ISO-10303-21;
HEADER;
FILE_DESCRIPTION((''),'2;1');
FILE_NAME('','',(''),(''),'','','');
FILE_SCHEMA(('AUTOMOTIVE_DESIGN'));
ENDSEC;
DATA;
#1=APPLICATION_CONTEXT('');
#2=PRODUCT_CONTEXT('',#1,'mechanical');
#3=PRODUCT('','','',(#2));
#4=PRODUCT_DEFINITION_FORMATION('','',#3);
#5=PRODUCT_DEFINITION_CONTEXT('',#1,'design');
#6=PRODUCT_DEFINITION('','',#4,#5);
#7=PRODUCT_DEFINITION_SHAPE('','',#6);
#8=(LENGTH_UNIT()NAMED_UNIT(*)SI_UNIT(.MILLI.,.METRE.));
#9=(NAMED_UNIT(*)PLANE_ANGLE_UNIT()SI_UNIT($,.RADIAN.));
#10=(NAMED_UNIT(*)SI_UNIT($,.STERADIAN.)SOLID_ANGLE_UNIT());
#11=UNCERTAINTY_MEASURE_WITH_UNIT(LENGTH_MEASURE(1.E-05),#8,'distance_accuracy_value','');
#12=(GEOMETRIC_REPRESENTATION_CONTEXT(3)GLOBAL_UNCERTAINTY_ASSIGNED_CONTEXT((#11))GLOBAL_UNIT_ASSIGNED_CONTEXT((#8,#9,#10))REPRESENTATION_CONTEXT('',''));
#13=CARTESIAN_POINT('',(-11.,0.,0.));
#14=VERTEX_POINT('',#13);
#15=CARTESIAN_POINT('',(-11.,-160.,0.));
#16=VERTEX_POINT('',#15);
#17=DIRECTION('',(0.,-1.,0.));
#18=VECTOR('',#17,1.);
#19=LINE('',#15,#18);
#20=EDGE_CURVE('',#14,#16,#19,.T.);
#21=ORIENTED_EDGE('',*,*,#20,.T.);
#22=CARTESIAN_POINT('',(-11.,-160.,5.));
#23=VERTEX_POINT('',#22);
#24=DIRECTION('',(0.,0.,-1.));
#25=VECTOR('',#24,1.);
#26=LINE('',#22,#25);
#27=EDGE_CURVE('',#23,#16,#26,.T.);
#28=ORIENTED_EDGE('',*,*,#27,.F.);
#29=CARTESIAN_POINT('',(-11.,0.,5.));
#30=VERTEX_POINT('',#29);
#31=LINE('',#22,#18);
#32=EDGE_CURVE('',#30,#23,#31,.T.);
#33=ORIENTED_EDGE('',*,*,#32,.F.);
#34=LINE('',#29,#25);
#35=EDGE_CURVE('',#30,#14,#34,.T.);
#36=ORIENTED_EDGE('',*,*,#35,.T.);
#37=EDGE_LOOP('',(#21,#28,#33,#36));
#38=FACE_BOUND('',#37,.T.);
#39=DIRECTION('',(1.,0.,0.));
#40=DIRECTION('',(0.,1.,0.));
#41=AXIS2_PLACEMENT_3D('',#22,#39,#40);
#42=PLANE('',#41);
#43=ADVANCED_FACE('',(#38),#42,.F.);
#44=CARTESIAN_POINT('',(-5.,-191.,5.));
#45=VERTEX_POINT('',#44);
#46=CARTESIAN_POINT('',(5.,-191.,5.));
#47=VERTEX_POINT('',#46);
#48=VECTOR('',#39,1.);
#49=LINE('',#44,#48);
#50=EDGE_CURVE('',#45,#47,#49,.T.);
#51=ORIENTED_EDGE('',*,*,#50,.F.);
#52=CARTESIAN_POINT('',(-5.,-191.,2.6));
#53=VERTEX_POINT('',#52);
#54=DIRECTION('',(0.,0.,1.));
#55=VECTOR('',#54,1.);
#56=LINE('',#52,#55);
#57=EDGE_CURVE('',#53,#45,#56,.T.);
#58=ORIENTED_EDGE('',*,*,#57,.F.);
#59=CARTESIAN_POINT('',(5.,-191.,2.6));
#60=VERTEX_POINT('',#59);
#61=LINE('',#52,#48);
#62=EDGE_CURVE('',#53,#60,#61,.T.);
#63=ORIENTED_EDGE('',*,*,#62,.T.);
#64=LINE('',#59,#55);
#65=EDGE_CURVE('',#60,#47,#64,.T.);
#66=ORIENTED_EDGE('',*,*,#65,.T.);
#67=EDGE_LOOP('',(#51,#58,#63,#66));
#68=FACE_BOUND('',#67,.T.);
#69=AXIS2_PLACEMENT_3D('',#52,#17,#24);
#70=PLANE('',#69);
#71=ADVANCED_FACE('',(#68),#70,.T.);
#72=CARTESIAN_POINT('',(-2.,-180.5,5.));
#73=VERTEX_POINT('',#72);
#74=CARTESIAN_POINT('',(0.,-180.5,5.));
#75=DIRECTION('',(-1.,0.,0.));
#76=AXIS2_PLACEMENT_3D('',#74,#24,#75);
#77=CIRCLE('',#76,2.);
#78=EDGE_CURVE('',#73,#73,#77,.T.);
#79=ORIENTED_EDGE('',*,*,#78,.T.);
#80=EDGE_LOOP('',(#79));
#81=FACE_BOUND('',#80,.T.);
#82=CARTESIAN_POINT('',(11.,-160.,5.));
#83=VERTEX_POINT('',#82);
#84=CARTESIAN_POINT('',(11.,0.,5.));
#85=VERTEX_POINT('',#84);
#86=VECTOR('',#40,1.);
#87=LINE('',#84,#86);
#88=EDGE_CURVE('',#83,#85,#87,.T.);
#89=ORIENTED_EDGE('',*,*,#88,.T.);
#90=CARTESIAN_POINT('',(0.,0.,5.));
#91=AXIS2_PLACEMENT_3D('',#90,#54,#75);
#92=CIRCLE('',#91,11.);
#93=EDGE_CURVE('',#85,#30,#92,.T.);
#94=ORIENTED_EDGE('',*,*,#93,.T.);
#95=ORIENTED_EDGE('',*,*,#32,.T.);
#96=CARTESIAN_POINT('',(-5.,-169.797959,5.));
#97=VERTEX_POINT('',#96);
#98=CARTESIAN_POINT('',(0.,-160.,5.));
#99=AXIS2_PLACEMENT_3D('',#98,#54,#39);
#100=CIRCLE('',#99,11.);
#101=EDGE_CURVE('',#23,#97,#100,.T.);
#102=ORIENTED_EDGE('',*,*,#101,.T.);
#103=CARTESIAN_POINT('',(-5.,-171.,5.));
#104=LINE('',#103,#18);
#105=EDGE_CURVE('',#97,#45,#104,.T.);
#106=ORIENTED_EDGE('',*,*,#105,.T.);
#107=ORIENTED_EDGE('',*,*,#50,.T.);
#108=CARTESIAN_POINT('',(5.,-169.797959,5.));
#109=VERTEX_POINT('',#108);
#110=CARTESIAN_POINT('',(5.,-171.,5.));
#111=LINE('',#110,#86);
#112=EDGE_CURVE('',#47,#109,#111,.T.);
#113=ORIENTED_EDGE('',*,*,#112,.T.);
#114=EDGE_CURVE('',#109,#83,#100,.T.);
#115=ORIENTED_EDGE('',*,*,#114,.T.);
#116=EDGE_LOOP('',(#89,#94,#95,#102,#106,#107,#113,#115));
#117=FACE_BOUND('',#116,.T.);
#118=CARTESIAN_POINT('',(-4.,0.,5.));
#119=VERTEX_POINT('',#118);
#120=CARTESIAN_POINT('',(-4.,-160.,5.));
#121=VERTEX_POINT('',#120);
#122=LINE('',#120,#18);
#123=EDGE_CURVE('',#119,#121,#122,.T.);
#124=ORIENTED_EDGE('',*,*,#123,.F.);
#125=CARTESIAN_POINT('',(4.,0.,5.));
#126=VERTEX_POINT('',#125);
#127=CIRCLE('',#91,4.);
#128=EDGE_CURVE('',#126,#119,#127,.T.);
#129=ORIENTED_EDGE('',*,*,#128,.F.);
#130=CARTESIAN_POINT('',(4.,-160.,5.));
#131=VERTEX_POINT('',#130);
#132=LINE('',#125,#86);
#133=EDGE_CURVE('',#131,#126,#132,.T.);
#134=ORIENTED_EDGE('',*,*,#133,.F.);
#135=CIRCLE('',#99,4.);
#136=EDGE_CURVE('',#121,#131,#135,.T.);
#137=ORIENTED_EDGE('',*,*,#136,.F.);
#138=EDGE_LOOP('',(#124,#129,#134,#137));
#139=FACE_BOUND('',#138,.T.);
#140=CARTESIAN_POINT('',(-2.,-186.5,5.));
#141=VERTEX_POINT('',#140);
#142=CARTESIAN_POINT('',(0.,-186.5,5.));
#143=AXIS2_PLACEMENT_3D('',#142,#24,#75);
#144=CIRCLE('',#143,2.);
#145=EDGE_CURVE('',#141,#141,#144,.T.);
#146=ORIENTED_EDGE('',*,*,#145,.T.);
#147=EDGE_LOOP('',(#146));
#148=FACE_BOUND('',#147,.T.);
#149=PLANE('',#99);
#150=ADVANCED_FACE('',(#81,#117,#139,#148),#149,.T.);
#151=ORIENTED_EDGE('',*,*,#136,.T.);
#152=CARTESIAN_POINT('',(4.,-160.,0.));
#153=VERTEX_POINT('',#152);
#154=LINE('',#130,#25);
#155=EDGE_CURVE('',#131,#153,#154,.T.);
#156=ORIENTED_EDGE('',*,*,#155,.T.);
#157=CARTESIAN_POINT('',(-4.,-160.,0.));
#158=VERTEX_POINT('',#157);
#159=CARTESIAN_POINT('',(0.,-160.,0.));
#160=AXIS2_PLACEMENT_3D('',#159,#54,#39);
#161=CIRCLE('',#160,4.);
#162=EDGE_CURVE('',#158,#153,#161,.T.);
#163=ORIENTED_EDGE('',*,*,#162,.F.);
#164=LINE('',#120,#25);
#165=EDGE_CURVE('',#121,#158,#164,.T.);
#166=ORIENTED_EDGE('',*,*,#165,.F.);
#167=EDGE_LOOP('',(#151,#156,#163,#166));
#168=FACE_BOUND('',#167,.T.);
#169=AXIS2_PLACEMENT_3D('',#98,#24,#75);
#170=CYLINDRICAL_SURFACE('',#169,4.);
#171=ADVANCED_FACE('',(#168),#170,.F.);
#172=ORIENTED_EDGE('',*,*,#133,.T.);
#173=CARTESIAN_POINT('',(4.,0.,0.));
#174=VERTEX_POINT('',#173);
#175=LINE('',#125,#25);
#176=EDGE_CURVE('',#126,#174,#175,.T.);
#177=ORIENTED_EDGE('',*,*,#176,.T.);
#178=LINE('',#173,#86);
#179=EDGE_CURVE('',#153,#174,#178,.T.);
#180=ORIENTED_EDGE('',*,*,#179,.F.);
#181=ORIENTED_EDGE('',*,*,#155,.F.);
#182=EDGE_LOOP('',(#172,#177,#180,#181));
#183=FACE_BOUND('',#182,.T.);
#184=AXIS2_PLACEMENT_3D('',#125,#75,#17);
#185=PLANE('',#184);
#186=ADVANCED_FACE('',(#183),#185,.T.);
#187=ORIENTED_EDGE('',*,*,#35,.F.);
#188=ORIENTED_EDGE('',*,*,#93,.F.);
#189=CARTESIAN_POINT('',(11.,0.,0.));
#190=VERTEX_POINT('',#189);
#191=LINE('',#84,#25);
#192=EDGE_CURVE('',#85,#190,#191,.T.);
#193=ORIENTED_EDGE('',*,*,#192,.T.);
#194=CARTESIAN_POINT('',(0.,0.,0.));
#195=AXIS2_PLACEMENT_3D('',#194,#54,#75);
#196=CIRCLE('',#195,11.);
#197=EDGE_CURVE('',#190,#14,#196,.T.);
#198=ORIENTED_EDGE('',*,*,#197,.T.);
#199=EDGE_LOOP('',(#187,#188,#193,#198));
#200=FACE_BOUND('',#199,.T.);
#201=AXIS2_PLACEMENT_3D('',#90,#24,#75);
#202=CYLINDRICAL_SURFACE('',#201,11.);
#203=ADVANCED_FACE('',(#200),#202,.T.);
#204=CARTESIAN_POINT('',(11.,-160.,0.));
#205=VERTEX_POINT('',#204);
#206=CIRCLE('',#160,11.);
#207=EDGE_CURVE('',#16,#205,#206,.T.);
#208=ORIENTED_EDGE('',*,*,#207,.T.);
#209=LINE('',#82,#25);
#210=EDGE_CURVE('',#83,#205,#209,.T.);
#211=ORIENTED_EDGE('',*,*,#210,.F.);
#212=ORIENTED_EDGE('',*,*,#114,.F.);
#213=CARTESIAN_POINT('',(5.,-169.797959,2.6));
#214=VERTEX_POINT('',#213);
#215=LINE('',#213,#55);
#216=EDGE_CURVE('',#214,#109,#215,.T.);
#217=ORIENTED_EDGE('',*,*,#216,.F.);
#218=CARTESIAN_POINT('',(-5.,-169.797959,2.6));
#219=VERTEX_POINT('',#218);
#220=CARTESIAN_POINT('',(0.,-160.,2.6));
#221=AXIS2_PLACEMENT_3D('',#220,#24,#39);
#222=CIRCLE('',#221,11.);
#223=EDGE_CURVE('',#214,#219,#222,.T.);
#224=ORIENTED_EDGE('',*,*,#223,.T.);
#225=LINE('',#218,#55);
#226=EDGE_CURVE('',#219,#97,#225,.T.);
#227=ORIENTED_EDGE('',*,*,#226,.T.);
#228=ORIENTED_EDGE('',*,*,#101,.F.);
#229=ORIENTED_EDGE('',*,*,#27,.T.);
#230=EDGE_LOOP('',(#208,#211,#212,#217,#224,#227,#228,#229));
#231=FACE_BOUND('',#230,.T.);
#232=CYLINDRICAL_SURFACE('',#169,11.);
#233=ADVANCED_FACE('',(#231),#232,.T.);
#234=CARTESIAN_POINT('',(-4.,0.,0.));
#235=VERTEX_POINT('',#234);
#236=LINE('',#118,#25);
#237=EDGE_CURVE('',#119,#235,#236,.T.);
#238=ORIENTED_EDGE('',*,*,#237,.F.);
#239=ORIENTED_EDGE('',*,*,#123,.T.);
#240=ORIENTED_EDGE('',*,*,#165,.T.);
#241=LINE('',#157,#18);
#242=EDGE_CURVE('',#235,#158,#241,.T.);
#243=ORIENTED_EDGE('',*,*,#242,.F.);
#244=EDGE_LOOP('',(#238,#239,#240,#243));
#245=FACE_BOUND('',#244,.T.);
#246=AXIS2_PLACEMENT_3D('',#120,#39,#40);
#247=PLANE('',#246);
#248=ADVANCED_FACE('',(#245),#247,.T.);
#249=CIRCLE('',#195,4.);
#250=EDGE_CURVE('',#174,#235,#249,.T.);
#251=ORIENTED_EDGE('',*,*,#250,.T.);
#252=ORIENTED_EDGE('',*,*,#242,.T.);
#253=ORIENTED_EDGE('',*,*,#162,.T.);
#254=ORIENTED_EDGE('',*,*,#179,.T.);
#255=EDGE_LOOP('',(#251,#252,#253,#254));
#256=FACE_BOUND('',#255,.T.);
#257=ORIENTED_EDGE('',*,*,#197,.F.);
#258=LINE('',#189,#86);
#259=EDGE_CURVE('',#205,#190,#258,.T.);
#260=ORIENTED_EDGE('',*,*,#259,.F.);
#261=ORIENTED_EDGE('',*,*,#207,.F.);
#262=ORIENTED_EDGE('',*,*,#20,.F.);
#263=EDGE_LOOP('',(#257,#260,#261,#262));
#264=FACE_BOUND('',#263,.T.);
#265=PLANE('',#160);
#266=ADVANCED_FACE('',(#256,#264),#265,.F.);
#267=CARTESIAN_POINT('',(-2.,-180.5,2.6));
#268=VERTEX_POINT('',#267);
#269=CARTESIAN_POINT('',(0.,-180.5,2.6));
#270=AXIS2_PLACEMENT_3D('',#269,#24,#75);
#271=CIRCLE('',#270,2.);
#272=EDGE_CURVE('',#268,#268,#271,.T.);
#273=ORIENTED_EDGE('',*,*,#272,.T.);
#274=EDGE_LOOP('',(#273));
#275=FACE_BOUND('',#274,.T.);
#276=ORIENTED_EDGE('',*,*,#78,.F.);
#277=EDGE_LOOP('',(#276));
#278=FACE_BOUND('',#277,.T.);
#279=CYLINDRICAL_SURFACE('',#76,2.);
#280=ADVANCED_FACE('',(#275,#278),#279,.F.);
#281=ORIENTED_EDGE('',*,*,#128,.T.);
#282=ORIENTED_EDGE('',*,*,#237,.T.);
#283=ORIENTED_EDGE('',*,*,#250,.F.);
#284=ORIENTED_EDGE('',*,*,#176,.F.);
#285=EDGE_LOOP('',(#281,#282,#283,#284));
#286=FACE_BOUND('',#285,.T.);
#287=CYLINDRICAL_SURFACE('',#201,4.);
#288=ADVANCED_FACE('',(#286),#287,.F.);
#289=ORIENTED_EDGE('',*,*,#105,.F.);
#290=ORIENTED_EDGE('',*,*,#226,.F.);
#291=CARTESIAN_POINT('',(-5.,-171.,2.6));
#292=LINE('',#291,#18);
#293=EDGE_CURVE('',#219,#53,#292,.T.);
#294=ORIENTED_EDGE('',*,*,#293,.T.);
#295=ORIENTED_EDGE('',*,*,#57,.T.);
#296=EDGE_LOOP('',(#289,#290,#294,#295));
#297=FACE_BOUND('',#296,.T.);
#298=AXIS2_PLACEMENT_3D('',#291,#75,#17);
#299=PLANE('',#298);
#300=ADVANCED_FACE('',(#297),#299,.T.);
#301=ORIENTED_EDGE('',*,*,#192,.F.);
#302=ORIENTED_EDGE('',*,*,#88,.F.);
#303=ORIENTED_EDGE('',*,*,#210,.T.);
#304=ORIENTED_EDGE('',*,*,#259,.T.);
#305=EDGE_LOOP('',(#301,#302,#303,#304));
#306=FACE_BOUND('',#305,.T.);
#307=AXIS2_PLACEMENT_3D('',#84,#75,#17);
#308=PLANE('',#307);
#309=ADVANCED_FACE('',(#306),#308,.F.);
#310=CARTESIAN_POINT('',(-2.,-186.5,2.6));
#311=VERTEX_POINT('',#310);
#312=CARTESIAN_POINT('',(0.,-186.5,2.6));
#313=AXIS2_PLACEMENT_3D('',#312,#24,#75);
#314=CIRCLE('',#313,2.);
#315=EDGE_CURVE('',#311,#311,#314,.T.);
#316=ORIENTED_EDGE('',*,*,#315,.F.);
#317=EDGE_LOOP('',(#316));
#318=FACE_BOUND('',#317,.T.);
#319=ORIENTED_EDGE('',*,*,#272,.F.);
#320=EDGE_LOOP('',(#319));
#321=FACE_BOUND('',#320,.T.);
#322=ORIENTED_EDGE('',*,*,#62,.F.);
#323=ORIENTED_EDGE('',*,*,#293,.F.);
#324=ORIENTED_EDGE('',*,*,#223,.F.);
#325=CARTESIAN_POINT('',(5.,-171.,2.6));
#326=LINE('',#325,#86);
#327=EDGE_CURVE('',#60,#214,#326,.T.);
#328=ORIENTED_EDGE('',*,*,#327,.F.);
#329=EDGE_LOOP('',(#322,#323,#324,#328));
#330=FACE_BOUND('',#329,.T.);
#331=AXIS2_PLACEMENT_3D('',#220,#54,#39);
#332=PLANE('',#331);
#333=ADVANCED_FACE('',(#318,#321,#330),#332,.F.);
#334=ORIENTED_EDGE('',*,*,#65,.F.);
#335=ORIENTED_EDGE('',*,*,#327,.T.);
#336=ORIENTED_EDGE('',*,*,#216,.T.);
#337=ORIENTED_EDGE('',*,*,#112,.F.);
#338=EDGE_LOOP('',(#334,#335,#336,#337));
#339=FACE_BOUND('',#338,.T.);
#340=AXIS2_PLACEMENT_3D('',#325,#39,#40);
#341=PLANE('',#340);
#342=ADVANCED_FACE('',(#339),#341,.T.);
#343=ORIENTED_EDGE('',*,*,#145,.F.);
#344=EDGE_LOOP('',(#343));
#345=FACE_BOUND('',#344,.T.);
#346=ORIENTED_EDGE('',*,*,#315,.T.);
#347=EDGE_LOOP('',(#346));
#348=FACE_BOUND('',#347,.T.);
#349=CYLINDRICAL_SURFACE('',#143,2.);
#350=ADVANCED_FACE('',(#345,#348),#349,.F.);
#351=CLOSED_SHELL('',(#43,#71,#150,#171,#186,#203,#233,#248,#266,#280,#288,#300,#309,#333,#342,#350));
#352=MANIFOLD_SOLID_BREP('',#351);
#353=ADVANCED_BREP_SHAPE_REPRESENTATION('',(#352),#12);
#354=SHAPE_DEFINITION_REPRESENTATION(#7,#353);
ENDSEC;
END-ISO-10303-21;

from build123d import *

# Parameters (mm, degrees)
BOSS_EXTRUDE1_DEPTH = 5
BOSS_EXTRUDE2_START = -2.4
BOSS_EXTRUDE2_DEPTH = 2.4
SKETCH3_R           = 2
CUT_EXTRUDE1_DEPTH  = 2.4


with BuildPart() as part:
    # Sketch1 → Boss-Extrude1 (new body)
    with BuildSketch(Plane.XY):
        with BuildLine():
            Line((11, 0), (11, -160))
            ThreePointArc((11, -160), (0, -171), (-11, -160))
            Line((-11, -160), (-11, 0))
            ThreePointArc((-11, 0), (0, 11), (11, 0))
        make_face()
        with BuildLine():
            Line((-4, -160), (-4, 0))
            ThreePointArc((-4, 0), (0, 4), (4, 0))
            Line((4, 0), (4, -160))
            ThreePointArc((4, -160), (0, -164), (-4, -160))
        make_face(mode=Mode.SUBTRACT)
    extrude(amount=BOSS_EXTRUDE1_DEPTH)

    # Sketch2 → Boss-Extrude2 (add)
    with BuildSketch(Plane.XY.offset(5).offset(BOSS_EXTRUDE2_START)):
        with BuildLine():
            Line((-5, -171), (-5, -169.797958971))
            ThreePointArc((-5, -169.797958971), (0, -171), (5, -169.797958971))
            Line((5, -169.797958971), (5, -171))
            Line((5, -171), (5, -191))
            Line((5, -191), (-5, -191))
            Line((-5, -191), (-5, -171))
        make_face()
    extrude(amount=BOSS_EXTRUDE2_DEPTH)

    # Sketch3 → Cut-Extrude1 (cut)
    with BuildSketch(Plane(origin=(0, 0, 2.6), x_dir=(-1, 0, 0), z_dir=(0, 0, -1))):
        with Locations((0, -186.5)):
            Circle(SKETCH3_R)
        with Locations((0, -180.5)):
            Circle(SKETCH3_R)
    extrude(amount=-CUT_EXTRUDE1_DEPTH, mode=Mode.SUBTRACT)


solid = part.part
